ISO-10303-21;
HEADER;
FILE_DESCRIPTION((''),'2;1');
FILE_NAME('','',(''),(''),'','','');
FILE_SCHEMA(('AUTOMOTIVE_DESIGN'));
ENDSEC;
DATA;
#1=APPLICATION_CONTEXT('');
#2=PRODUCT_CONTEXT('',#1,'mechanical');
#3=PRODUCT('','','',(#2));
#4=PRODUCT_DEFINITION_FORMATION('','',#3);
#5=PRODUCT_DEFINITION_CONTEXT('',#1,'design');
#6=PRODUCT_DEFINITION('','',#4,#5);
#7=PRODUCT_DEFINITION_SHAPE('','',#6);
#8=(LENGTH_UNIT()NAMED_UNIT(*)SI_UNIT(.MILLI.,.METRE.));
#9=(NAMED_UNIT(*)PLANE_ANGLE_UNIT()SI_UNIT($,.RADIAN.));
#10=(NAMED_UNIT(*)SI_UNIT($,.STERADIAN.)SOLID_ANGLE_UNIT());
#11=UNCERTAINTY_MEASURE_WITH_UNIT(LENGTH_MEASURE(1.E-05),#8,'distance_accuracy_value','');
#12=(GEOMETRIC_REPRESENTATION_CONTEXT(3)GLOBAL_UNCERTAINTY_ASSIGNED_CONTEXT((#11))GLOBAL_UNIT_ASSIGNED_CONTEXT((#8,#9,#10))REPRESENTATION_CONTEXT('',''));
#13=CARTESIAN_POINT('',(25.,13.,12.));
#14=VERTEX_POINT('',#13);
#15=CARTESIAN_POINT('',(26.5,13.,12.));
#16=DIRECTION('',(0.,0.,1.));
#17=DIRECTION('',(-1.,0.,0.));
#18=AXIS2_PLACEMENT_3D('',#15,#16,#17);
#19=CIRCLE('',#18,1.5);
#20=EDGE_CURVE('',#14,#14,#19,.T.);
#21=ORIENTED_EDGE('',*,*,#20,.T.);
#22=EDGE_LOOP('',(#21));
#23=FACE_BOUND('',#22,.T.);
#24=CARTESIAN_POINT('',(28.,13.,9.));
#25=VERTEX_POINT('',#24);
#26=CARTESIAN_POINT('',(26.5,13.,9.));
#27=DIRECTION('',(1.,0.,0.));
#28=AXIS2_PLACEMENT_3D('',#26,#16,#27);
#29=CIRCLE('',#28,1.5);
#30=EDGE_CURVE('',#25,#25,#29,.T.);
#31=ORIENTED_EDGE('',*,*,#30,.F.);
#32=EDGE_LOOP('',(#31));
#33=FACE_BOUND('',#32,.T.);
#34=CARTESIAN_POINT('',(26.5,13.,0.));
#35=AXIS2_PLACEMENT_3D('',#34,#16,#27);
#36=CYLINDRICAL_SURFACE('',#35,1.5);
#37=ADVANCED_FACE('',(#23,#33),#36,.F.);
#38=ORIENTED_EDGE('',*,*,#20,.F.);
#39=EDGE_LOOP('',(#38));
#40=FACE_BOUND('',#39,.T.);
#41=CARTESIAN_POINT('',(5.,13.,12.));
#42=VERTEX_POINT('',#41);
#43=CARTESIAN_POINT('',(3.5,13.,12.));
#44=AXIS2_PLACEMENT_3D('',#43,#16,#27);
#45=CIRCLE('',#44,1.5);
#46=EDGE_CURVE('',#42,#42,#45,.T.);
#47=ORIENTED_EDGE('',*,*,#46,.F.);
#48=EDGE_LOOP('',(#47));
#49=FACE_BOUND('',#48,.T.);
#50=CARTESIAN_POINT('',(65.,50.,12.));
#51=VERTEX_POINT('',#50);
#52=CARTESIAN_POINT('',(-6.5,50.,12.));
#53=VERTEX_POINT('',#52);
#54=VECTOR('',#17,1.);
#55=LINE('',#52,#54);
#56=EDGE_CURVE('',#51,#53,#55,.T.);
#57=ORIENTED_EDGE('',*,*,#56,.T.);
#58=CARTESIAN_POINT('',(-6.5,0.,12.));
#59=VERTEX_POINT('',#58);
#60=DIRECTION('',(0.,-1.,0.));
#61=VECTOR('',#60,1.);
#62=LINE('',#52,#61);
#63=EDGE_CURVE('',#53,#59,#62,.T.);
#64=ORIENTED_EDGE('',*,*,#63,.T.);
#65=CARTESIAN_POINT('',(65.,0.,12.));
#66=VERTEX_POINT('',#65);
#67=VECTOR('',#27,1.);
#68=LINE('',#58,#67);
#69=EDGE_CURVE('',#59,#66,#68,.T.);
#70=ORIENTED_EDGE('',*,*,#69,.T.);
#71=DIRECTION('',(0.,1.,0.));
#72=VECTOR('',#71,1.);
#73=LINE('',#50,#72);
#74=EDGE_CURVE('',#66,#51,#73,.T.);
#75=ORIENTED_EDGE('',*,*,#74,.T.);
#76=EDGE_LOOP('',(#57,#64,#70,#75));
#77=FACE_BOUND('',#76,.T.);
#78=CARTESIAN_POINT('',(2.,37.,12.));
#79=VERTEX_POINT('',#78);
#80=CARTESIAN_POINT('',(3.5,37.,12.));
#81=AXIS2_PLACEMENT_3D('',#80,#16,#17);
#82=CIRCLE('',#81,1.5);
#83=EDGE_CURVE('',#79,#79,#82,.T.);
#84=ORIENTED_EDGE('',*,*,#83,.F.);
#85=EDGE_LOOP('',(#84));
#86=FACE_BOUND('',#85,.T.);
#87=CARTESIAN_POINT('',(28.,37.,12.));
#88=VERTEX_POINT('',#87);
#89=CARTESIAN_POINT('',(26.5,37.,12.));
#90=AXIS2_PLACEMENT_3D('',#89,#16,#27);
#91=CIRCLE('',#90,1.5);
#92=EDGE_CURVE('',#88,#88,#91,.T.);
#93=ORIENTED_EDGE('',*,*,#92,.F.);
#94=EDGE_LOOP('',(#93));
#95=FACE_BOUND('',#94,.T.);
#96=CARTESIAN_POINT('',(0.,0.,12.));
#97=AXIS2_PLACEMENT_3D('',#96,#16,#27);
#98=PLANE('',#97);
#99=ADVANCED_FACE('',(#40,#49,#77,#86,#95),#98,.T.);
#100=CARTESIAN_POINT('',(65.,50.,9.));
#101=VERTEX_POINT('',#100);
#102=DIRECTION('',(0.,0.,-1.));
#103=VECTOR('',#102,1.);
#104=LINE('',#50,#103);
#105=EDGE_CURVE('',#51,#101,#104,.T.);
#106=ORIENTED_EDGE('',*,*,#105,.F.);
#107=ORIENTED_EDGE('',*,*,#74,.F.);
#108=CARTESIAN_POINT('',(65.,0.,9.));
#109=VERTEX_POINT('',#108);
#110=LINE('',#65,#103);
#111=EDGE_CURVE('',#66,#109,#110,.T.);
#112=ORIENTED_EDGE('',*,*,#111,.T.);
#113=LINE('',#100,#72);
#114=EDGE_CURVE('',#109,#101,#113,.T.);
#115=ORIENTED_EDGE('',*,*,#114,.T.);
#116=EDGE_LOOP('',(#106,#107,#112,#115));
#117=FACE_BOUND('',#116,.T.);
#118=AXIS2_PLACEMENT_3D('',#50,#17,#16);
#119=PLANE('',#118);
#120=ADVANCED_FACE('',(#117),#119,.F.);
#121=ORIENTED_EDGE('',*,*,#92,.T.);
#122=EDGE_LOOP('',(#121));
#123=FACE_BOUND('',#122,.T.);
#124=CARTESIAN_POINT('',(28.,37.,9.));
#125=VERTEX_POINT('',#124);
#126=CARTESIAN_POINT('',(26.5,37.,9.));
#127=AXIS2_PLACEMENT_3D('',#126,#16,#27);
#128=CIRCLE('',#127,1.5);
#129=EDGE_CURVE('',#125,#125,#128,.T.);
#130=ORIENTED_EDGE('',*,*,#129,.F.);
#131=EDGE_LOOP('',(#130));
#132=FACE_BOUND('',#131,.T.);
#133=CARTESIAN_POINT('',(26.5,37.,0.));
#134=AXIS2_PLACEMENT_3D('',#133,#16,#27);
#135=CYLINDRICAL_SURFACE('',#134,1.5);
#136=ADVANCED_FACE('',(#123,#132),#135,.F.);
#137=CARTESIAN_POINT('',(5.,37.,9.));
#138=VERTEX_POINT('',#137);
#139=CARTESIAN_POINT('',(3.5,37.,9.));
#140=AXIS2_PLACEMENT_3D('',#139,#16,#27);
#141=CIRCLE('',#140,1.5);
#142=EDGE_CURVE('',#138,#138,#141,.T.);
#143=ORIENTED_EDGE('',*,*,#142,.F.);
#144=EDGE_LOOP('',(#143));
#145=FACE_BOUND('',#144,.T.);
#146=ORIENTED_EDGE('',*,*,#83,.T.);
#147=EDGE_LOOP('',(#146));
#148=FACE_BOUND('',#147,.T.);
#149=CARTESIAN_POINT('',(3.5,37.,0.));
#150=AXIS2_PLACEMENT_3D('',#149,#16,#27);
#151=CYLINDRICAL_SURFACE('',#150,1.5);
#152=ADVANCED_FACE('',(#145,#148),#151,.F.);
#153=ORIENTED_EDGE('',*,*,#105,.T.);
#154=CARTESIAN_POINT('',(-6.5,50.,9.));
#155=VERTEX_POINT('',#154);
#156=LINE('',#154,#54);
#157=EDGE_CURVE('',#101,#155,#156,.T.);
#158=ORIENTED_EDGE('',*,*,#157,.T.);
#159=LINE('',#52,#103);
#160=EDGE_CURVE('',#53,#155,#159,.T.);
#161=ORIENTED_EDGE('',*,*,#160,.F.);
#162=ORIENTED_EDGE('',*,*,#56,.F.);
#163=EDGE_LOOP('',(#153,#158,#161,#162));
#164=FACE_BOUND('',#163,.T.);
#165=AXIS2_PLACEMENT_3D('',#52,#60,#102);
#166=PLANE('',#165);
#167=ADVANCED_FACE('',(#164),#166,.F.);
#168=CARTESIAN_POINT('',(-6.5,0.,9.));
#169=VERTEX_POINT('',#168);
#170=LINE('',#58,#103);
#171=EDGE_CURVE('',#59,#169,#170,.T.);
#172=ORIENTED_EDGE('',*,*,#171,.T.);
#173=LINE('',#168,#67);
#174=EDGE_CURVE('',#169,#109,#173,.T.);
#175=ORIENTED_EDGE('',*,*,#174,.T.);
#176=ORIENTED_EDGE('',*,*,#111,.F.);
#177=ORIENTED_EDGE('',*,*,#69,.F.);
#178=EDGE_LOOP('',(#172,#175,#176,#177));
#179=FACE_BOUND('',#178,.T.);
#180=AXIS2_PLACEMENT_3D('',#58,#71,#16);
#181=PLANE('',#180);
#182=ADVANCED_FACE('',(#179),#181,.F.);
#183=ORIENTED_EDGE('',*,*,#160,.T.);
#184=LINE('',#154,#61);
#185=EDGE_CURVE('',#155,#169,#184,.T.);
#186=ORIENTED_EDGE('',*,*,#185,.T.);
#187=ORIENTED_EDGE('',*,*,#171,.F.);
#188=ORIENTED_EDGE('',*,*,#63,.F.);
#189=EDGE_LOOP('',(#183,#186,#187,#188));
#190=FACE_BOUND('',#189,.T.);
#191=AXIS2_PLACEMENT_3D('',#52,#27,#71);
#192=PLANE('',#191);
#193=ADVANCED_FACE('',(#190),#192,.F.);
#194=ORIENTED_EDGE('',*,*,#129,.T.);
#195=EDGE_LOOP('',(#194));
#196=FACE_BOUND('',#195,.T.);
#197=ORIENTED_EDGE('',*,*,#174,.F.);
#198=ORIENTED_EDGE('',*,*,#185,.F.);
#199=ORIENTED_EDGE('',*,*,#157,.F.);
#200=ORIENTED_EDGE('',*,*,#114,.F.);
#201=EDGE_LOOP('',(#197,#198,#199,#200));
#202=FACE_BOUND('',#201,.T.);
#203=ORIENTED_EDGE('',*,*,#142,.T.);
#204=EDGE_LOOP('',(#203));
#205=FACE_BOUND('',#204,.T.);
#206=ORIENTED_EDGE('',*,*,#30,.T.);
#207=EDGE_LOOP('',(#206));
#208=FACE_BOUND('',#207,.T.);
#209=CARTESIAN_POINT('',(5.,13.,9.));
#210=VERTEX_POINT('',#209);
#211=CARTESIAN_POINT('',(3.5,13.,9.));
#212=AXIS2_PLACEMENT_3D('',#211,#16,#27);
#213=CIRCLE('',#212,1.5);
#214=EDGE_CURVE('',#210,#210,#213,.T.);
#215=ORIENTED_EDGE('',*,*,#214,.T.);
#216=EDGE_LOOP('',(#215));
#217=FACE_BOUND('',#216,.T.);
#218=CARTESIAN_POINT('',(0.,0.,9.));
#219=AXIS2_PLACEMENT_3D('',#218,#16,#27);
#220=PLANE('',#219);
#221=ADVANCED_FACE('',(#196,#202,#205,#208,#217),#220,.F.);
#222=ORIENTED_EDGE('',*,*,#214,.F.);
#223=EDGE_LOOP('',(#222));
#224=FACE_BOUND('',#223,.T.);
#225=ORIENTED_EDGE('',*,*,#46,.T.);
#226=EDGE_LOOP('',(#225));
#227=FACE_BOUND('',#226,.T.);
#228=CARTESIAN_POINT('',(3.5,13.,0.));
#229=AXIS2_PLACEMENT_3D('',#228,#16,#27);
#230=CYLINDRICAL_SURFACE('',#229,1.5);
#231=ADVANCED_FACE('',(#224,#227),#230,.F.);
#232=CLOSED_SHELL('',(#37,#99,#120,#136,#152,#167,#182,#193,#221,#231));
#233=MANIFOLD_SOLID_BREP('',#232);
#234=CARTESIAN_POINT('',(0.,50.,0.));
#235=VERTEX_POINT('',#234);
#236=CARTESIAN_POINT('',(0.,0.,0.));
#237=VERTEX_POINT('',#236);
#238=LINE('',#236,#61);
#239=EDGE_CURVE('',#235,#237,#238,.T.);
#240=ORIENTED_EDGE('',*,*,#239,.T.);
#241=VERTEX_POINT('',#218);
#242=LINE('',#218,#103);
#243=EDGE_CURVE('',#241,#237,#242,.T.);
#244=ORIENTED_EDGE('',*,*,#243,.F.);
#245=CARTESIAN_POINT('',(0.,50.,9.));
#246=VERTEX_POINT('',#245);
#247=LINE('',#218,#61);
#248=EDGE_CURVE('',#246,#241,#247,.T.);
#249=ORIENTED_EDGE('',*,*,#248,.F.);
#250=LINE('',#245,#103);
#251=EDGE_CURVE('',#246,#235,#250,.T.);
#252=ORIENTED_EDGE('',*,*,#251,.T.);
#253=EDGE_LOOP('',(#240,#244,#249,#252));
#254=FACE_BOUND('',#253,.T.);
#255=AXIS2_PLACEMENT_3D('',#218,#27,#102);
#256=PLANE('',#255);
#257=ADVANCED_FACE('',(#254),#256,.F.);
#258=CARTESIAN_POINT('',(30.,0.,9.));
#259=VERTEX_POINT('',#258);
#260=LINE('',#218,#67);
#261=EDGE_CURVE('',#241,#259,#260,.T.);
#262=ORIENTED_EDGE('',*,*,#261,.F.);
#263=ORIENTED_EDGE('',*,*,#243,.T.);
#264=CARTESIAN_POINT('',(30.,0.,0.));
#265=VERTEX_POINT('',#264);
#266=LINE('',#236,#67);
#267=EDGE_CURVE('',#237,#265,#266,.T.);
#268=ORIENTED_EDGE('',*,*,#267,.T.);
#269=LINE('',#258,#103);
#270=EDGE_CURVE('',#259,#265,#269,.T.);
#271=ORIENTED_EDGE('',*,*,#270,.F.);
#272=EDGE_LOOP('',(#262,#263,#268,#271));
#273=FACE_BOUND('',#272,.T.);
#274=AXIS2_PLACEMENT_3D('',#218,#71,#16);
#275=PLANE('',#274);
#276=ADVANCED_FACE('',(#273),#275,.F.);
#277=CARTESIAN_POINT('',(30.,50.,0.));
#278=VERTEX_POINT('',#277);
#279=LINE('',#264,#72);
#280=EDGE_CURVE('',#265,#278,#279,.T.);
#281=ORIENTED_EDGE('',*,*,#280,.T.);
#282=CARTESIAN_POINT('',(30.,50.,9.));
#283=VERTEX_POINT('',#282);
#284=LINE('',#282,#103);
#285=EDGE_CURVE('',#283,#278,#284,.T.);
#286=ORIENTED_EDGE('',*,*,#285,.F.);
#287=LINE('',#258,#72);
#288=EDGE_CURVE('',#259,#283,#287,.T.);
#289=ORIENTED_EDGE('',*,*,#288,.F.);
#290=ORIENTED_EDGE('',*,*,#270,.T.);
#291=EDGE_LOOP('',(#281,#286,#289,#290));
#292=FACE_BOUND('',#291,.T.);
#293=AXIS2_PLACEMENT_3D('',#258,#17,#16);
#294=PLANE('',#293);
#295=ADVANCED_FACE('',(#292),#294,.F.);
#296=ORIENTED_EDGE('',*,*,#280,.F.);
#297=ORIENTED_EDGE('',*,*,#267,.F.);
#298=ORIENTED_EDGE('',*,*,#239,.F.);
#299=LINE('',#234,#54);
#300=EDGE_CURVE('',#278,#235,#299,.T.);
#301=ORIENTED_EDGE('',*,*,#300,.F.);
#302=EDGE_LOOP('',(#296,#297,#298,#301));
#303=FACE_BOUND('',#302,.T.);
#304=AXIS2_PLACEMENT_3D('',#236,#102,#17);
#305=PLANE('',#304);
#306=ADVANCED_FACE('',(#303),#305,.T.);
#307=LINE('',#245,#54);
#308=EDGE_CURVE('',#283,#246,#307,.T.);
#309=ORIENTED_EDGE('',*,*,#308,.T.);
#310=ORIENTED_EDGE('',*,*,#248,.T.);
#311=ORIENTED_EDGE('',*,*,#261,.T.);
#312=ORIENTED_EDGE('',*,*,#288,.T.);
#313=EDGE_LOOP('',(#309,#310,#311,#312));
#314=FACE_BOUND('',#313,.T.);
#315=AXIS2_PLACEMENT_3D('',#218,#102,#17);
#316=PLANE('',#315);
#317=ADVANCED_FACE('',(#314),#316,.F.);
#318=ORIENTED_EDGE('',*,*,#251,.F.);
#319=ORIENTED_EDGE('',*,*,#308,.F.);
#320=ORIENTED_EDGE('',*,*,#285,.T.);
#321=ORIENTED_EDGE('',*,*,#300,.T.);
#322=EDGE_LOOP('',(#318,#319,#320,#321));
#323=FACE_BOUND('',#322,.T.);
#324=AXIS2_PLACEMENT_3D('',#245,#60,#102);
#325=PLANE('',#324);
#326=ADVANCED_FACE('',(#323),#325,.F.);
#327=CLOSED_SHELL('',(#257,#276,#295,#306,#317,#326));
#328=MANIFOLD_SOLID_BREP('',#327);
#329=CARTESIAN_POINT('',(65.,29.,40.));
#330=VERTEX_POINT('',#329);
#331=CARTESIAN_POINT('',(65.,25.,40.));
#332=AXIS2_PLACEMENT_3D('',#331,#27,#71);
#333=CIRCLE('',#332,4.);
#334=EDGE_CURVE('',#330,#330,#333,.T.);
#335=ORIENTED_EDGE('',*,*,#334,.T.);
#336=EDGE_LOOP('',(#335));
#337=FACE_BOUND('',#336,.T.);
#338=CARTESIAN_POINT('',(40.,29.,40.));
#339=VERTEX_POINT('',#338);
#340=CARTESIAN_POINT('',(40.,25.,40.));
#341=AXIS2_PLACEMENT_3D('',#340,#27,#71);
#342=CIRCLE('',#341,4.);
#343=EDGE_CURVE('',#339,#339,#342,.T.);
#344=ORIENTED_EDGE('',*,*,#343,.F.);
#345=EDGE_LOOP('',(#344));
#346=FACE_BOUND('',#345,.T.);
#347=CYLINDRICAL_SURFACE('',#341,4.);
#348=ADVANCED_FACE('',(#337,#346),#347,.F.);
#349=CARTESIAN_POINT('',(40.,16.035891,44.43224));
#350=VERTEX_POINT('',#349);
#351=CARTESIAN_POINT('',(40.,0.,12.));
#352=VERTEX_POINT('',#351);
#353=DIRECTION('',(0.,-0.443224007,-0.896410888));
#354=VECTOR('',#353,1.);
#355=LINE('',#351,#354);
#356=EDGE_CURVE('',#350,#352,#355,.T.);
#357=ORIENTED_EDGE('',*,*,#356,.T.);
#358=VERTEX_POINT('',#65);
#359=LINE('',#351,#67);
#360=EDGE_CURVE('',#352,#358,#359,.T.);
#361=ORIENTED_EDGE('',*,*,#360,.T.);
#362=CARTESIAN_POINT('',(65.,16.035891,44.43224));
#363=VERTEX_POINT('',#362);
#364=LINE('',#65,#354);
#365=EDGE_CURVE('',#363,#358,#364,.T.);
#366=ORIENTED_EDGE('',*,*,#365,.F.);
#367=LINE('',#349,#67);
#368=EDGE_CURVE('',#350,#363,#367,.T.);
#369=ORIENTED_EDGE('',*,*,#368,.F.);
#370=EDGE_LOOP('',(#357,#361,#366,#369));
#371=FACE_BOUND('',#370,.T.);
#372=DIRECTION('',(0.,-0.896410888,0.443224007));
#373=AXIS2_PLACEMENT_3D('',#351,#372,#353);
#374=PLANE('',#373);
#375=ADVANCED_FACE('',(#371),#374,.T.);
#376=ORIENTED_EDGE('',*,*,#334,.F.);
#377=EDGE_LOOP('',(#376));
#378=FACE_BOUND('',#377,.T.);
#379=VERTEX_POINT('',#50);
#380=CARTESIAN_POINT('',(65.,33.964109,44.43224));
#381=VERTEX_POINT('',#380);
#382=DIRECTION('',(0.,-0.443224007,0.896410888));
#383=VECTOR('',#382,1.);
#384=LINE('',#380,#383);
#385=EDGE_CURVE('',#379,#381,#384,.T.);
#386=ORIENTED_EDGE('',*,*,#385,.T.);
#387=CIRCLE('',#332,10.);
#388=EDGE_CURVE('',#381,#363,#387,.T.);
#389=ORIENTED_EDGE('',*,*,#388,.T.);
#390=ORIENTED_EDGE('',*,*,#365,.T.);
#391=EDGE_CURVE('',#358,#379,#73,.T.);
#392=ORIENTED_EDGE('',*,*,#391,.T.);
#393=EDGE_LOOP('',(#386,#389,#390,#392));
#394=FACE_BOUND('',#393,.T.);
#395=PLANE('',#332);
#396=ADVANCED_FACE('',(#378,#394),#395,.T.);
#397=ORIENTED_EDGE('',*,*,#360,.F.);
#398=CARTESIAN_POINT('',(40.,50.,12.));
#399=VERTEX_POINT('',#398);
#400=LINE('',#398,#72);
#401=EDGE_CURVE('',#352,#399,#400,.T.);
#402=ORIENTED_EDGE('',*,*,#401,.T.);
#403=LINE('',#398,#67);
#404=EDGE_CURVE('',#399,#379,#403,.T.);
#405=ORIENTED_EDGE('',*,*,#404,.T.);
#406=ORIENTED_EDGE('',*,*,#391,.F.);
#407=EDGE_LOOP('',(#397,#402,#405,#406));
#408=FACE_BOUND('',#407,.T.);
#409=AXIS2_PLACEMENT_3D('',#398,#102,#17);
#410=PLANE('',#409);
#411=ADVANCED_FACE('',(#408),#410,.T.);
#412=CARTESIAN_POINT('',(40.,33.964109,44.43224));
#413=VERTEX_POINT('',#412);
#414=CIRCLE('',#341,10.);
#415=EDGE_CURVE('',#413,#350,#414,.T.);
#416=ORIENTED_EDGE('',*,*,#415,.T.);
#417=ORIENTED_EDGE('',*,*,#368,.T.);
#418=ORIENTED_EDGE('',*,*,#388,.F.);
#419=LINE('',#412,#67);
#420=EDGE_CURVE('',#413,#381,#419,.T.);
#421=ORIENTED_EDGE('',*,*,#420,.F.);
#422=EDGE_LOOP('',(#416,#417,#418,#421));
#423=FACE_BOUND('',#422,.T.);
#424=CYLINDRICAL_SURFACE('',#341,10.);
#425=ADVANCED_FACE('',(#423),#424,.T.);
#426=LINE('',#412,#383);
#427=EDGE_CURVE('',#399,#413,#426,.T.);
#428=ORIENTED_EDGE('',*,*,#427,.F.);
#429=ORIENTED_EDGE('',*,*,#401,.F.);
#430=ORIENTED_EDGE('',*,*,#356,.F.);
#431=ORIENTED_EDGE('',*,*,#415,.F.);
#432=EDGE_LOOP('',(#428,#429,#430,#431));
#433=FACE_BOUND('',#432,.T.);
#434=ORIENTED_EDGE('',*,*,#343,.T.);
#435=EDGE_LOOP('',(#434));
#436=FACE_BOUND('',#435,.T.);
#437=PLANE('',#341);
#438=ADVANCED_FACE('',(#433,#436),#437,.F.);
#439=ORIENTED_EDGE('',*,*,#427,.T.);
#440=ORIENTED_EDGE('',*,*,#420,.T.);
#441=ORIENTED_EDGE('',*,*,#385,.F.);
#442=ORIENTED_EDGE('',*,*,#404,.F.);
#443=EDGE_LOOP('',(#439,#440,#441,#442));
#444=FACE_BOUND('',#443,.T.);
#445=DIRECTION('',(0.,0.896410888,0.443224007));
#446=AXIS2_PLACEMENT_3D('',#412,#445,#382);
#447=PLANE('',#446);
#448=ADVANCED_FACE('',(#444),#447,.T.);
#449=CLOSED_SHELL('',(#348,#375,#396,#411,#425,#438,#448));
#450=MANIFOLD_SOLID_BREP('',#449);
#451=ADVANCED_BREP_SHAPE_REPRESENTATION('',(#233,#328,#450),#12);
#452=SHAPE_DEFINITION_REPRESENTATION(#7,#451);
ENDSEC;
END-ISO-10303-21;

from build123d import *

# Parameters (mm, degrees)
ESQUISSE1_W             = 30
ESQUISSE1_H             = 50
BOSS_EXTRU_1_DEPTH      = 9
ESQUISSE2_W             = 71.5
ESQUISSE2_H             = 50
BOSS_EXTRU_2_DEPTH      = 3
ESQUISSE3_R             = 4
BOSS_EXTRU_3_DEPTH      = 25
ESQUISSE4_R             = 1.5
ENL_V_MAT_EXTRU_1_DEPTH = 91.382520434


with BuildPart() as part:
    # Esquisse1 → Boss.-Extru.1 (new body)
    with BuildSketch(Plane.XY):
        with Locations((15, 25)):
            Rectangle(ESQUISSE1_W, ESQUISSE1_H)
    extrude(amount=BOSS_EXTRU_1_DEPTH)


with BuildPart() as body_2:
    # Esquisse2 → Boss.-Extru.2 (new body)
    with BuildSketch(Plane.XY.offset(9)):
        with Locations((29.25, 25)):
            Rectangle(ESQUISSE2_W, ESQUISSE2_H)
    extrude(amount=BOSS_EXTRU_2_DEPTH)

    # Esquisse4 → Enlèv. mat.-Extru.1 (cut, through all)
    with BuildSketch(Plane.XY.offset(12)):
        with Locations((26.5, 37)):
            Circle(ESQUISSE4_R)
        with Locations((26.5, 13)):
            Circle(ESQUISSE4_R)
        with Locations((3.5, 13)):
            Circle(ESQUISSE4_R)
        with Locations((3.5, 37)):
            Circle(ESQUISSE4_R)
    extrude(amount=-ENL_V_MAT_EXTRU_1_DEPTH, mode=Mode.SUBTRACT)


with BuildPart() as body_3:
    # Esquisse3 → Boss.-Extru.3 (new body)
    with BuildSketch(Plane(origin=(65, 0, 0), x_dir=(0, 0, -1), z_dir=(1, 0, 0))):
        with BuildLine():
            Line((-12, 50), (-12, 0))
            Line((-12, 0), (-44.432240069, 16.035891122))
            ThreePointArc((-44.432240069, 16.035891122), (-50, 25), (-44.432240069, 33.964108878))
            Line((-44.432240069, 33.964108878), (-12, 50))
        make_face()
        with Locations(Location((-40, 25, 0), (0, 0, 90))):
            Circle(ESQUISSE3_R, mode=Mode.SUBTRACT)
    extrude(amount=-BOSS_EXTRU_3_DEPTH)


solid = Compound([part.part, body_2.part, body_3.part])
